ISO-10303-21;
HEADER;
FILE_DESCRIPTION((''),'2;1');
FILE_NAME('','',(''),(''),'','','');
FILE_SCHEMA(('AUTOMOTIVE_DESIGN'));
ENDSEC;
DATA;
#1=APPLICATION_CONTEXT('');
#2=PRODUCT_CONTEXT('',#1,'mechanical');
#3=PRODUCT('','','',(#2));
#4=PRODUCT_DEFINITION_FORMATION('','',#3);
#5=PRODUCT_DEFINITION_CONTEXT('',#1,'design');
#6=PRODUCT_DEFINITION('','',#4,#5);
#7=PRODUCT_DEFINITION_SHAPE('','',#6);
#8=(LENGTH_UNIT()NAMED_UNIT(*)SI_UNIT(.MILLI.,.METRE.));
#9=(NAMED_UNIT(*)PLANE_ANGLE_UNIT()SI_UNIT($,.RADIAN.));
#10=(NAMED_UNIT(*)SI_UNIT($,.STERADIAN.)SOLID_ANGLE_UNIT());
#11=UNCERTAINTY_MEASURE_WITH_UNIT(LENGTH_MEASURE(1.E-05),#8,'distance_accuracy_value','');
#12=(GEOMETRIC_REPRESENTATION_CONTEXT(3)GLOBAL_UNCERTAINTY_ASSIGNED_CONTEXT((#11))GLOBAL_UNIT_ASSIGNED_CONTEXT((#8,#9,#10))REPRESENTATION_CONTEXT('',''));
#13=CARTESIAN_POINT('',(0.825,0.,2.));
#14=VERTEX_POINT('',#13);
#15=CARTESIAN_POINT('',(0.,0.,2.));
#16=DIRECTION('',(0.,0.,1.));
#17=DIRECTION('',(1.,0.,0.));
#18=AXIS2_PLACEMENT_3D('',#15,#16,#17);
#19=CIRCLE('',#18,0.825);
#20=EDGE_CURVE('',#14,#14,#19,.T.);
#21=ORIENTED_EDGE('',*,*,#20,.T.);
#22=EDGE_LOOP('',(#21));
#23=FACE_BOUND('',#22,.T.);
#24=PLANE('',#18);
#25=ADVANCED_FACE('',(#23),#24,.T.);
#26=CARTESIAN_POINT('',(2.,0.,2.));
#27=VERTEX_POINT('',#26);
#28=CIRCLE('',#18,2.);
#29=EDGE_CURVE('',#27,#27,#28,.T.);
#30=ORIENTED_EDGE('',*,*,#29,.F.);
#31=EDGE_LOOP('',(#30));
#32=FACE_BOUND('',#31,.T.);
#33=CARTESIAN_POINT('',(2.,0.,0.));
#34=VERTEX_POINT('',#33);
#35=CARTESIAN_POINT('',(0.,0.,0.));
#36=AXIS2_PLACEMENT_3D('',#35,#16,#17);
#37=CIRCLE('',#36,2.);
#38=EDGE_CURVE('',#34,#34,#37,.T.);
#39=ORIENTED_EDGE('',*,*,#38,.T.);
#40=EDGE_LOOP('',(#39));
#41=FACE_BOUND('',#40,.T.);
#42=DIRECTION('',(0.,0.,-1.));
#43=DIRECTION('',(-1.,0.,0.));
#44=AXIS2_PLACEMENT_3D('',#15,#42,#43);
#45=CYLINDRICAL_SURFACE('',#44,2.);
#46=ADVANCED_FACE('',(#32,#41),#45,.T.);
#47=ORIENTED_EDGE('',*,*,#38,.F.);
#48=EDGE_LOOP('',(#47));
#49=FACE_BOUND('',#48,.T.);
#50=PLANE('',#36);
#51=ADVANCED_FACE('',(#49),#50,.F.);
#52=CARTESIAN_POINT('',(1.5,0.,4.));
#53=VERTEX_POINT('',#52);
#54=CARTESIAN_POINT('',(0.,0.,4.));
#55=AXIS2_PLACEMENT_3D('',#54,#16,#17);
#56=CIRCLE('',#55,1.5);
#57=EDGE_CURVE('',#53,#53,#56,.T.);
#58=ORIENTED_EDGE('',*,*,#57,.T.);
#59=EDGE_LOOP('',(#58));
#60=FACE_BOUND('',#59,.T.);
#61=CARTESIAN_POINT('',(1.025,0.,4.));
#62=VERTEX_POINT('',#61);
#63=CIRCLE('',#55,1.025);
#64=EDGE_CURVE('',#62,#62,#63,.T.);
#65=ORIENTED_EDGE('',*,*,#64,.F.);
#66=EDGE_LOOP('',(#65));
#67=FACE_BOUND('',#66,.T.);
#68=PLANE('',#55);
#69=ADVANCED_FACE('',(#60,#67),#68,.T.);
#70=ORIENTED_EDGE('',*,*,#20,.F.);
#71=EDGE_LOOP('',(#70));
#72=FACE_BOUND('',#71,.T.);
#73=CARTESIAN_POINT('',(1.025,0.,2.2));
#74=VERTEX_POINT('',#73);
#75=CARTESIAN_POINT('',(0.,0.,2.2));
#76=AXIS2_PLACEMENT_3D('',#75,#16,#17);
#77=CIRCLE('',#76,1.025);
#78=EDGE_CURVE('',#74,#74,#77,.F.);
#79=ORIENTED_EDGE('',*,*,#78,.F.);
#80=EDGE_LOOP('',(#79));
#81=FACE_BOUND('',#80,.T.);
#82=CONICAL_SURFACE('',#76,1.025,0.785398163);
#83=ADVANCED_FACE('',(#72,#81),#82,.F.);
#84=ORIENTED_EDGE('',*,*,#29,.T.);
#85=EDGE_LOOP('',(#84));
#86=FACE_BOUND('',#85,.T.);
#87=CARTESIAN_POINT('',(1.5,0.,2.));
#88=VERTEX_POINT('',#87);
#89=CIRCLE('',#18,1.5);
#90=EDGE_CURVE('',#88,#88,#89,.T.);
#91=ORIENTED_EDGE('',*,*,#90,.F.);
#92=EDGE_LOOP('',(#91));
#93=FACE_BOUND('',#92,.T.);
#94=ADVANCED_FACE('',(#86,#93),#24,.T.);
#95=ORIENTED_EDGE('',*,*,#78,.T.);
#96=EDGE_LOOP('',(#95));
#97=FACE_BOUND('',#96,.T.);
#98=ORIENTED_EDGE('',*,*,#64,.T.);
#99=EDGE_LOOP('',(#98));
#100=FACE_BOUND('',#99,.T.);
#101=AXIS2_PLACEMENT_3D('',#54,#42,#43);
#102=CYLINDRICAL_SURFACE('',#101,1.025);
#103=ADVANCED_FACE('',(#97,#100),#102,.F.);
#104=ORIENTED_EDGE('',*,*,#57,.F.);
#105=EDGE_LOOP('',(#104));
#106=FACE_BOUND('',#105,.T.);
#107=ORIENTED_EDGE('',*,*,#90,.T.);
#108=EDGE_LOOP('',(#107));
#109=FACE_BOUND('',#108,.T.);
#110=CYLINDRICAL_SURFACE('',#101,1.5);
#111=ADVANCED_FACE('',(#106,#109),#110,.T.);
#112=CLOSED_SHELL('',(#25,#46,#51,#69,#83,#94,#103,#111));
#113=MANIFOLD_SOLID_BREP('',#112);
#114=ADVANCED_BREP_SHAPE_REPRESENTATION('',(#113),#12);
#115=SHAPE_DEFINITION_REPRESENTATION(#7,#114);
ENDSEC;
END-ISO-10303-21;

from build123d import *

# Parameters (mm, degrees)
CROQUIS1_R              = 2
SALIENTE_EXTRUIR1_DEPTH = 2
CROQUIS2_R              = 1.5
CROQUIS2_R_2            = 1.025
SALIENTE_EXTRUIR2_DEPTH = 2
CHAFL_N1_SIZE           = 0.2


with BuildPart() as part:
    # Croquis1 → Saliente-Extruir1 (new body)
    with BuildSketch(Plane.XY):
        Circle(CROQUIS1_R)
    extrude(amount=SALIENTE_EXTRUIR1_DEPTH)

    # Croquis2 → Saliente-Extruir2 (add)
    with BuildSketch(Plane.XY.offset(2)):
        Circle(CROQUIS2_R)
        Circle(CROQUIS2_R_2, mode=Mode.SUBTRACT)
    extrude(amount=SALIENTE_EXTRUIR2_DEPTH)

    # Chaflán1
    chafl_n1_edges = [part.edges().sort_by_distance(p)[0] for p in [
        (-1.025, 0, 2),
    ]]
    chamfer(chafl_n1_edges, length=CHAFL_N1_SIZE)


solid = part.part
